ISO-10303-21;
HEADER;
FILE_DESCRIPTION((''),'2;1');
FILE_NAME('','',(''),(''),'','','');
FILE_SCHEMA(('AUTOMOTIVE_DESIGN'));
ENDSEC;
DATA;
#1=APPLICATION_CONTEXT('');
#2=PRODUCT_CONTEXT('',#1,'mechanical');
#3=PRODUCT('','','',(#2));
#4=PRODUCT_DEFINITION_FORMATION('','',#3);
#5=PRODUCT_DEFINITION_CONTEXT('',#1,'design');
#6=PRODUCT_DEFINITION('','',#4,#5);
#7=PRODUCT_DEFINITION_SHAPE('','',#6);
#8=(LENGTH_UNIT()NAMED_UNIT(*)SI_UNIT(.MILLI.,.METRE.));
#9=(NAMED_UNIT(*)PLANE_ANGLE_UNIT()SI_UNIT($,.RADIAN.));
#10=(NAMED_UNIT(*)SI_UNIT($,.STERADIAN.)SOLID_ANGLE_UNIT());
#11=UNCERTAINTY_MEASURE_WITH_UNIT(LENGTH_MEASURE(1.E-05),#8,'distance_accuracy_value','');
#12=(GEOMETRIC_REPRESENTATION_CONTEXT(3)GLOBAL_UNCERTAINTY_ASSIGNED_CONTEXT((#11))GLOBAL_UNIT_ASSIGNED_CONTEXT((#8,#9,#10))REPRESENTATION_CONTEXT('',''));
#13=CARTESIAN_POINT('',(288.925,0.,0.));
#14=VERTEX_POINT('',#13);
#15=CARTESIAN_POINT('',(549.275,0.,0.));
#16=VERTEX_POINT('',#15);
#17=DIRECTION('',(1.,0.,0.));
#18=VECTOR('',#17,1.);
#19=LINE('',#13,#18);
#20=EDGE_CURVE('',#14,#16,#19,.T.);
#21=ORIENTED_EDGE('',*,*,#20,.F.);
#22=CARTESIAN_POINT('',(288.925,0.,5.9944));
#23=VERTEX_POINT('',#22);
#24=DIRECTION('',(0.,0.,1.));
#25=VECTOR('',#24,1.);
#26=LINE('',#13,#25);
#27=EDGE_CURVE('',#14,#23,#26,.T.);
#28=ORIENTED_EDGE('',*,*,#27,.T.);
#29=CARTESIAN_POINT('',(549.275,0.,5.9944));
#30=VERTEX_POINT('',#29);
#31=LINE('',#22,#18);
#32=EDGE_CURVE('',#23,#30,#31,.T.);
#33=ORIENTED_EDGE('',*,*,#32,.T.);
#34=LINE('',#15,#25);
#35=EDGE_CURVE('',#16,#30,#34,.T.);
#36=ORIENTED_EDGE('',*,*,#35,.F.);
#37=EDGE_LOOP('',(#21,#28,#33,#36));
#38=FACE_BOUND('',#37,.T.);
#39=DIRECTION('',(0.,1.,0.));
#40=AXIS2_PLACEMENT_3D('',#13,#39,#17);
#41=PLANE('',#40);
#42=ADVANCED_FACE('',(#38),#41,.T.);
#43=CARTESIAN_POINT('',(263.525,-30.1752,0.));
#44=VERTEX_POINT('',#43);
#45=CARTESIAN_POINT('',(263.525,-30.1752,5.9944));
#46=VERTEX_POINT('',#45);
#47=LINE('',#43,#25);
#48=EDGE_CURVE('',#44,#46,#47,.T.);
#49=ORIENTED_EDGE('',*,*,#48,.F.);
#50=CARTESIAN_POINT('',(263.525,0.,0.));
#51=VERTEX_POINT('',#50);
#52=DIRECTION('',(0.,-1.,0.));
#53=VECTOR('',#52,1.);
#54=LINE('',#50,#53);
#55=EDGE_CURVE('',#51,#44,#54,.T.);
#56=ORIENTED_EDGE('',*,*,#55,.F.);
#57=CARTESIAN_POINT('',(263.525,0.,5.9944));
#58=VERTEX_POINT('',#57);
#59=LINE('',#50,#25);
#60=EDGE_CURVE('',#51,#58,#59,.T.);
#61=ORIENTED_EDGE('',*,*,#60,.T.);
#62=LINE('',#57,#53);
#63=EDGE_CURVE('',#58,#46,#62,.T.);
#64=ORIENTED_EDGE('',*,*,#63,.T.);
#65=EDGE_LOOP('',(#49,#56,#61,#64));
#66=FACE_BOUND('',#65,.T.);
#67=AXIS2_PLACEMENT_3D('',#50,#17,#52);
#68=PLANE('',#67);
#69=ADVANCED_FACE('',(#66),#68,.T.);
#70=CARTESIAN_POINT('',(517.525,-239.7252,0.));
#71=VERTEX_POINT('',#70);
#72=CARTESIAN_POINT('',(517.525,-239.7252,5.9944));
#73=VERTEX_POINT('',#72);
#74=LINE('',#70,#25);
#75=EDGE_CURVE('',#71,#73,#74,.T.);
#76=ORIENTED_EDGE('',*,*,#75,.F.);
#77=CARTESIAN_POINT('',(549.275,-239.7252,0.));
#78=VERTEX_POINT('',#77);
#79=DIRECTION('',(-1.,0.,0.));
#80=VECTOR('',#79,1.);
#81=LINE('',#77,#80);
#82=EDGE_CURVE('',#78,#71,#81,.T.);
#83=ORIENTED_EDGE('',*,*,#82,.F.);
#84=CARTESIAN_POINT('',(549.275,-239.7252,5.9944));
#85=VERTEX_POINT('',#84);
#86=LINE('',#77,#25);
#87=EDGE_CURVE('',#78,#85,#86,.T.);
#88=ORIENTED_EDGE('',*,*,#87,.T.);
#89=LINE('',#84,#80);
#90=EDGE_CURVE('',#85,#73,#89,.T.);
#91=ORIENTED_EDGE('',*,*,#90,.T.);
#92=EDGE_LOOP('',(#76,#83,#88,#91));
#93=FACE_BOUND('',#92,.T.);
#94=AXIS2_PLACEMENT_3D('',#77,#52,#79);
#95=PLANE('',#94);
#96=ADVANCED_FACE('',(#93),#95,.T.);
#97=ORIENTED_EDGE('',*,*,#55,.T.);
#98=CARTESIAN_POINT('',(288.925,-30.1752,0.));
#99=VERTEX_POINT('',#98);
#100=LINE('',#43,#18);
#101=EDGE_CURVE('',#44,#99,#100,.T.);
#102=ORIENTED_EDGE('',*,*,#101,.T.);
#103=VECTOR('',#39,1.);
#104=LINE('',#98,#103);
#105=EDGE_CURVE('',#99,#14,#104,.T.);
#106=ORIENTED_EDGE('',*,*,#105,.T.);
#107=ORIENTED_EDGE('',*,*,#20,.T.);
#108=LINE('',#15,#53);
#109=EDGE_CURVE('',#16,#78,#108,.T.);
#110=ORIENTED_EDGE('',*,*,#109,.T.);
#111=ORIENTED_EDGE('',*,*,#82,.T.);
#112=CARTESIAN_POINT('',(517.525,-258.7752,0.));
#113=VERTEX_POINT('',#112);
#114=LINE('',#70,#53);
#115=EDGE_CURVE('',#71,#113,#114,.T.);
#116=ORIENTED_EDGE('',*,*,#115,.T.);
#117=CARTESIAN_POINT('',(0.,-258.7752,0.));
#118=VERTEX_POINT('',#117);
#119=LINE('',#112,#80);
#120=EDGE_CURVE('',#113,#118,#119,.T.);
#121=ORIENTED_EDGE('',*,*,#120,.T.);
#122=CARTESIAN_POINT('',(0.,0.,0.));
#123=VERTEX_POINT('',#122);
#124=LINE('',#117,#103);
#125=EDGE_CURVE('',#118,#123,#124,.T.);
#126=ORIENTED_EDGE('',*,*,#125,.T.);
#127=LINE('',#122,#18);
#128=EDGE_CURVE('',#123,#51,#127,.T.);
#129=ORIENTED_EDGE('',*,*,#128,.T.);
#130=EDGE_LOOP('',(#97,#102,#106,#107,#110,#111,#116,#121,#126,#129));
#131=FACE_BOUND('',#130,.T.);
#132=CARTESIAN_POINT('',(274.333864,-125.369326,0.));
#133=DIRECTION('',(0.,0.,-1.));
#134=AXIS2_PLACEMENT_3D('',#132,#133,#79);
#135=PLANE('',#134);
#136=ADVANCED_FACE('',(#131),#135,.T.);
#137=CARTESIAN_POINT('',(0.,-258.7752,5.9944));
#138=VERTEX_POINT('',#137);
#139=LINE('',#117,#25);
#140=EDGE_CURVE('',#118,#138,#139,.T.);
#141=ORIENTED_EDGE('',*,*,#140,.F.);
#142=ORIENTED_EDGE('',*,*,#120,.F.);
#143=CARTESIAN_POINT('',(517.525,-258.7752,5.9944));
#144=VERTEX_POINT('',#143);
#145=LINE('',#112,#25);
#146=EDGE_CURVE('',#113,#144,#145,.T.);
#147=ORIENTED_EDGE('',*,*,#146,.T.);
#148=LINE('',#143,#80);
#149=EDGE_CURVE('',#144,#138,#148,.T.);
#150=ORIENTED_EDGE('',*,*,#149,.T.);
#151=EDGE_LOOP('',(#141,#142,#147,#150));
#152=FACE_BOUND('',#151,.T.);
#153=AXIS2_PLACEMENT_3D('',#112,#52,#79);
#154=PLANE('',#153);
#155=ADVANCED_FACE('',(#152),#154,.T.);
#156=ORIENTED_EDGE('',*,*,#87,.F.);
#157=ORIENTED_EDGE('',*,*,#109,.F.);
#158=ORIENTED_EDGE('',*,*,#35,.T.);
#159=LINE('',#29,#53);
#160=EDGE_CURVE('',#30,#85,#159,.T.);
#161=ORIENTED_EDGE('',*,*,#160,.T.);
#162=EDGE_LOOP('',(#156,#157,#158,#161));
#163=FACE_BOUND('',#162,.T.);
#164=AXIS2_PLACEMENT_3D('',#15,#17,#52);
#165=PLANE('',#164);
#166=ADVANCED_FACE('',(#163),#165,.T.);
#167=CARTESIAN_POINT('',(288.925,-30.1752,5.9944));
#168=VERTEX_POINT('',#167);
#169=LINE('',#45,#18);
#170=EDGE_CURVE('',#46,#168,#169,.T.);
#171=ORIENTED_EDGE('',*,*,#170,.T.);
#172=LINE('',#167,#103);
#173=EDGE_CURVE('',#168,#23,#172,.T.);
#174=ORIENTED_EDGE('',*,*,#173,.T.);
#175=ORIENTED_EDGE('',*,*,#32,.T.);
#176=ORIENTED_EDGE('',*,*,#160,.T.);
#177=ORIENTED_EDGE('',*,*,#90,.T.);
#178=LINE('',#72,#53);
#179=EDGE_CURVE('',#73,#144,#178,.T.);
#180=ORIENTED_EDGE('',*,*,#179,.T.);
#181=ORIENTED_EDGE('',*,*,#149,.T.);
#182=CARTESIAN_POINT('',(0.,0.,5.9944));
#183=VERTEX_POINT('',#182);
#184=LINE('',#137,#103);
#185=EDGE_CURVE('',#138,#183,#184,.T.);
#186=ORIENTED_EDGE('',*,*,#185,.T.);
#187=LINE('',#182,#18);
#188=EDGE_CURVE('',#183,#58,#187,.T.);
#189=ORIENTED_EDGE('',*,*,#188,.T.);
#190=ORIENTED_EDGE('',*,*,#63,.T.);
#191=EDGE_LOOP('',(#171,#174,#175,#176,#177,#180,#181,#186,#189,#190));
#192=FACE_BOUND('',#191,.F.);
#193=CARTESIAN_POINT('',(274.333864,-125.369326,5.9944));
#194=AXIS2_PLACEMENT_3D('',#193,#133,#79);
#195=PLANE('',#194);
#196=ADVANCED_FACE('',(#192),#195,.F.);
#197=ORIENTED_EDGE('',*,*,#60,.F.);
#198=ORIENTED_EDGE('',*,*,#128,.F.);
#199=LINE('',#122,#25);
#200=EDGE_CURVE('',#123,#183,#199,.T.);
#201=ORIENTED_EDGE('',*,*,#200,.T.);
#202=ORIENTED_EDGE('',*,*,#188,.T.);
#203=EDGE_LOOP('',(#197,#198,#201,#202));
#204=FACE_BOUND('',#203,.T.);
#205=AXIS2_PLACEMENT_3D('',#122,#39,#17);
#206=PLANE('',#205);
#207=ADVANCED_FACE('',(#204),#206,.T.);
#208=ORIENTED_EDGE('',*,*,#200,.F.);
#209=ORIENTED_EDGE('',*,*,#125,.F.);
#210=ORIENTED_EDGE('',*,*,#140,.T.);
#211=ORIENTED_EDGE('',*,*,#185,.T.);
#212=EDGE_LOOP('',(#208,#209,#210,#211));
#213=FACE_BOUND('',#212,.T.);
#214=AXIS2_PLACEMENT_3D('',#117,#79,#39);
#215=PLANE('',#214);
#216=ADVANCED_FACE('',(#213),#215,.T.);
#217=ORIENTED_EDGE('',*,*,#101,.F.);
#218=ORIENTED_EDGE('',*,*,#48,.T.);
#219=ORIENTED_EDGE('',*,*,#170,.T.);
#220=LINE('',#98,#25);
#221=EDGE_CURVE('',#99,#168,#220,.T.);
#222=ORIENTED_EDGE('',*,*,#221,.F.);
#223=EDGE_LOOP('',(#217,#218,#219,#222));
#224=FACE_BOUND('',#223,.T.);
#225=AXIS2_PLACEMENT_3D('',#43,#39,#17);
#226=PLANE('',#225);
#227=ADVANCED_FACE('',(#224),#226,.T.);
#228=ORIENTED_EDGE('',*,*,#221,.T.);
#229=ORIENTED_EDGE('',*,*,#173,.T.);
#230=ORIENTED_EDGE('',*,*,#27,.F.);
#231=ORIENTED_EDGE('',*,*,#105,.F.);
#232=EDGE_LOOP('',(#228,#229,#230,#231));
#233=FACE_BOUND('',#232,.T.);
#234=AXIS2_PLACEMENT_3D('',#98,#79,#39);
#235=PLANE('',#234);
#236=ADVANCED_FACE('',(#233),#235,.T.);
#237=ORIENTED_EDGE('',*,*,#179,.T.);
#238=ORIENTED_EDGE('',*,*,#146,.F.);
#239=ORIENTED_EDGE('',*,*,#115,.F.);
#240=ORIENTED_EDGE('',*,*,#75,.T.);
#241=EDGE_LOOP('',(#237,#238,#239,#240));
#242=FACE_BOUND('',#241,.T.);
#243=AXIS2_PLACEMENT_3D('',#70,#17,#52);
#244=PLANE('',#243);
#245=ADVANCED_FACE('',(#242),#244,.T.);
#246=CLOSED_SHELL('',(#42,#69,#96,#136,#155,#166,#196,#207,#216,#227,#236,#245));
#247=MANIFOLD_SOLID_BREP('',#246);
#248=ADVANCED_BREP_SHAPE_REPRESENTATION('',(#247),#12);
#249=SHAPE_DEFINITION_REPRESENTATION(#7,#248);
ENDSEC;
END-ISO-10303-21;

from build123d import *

# Parameters (mm, degrees)
EXTRUDE_DEPTH = 5.9944


with BuildPart() as part:
    # Sketch → Extrude (new body)
    with BuildSketch(Plane.XY):
        Polygon((0, 0), (263.525, 0), (263.525, -30.1752), (288.925, -30.1752), (288.925, 0), (549.275, 0), (549.275, -239.7252), (517.525, -239.7252), (517.525, -258.7752), (0, -258.7752), align=None)
    extrude(amount=EXTRUDE_DEPTH)


solid = part.part
